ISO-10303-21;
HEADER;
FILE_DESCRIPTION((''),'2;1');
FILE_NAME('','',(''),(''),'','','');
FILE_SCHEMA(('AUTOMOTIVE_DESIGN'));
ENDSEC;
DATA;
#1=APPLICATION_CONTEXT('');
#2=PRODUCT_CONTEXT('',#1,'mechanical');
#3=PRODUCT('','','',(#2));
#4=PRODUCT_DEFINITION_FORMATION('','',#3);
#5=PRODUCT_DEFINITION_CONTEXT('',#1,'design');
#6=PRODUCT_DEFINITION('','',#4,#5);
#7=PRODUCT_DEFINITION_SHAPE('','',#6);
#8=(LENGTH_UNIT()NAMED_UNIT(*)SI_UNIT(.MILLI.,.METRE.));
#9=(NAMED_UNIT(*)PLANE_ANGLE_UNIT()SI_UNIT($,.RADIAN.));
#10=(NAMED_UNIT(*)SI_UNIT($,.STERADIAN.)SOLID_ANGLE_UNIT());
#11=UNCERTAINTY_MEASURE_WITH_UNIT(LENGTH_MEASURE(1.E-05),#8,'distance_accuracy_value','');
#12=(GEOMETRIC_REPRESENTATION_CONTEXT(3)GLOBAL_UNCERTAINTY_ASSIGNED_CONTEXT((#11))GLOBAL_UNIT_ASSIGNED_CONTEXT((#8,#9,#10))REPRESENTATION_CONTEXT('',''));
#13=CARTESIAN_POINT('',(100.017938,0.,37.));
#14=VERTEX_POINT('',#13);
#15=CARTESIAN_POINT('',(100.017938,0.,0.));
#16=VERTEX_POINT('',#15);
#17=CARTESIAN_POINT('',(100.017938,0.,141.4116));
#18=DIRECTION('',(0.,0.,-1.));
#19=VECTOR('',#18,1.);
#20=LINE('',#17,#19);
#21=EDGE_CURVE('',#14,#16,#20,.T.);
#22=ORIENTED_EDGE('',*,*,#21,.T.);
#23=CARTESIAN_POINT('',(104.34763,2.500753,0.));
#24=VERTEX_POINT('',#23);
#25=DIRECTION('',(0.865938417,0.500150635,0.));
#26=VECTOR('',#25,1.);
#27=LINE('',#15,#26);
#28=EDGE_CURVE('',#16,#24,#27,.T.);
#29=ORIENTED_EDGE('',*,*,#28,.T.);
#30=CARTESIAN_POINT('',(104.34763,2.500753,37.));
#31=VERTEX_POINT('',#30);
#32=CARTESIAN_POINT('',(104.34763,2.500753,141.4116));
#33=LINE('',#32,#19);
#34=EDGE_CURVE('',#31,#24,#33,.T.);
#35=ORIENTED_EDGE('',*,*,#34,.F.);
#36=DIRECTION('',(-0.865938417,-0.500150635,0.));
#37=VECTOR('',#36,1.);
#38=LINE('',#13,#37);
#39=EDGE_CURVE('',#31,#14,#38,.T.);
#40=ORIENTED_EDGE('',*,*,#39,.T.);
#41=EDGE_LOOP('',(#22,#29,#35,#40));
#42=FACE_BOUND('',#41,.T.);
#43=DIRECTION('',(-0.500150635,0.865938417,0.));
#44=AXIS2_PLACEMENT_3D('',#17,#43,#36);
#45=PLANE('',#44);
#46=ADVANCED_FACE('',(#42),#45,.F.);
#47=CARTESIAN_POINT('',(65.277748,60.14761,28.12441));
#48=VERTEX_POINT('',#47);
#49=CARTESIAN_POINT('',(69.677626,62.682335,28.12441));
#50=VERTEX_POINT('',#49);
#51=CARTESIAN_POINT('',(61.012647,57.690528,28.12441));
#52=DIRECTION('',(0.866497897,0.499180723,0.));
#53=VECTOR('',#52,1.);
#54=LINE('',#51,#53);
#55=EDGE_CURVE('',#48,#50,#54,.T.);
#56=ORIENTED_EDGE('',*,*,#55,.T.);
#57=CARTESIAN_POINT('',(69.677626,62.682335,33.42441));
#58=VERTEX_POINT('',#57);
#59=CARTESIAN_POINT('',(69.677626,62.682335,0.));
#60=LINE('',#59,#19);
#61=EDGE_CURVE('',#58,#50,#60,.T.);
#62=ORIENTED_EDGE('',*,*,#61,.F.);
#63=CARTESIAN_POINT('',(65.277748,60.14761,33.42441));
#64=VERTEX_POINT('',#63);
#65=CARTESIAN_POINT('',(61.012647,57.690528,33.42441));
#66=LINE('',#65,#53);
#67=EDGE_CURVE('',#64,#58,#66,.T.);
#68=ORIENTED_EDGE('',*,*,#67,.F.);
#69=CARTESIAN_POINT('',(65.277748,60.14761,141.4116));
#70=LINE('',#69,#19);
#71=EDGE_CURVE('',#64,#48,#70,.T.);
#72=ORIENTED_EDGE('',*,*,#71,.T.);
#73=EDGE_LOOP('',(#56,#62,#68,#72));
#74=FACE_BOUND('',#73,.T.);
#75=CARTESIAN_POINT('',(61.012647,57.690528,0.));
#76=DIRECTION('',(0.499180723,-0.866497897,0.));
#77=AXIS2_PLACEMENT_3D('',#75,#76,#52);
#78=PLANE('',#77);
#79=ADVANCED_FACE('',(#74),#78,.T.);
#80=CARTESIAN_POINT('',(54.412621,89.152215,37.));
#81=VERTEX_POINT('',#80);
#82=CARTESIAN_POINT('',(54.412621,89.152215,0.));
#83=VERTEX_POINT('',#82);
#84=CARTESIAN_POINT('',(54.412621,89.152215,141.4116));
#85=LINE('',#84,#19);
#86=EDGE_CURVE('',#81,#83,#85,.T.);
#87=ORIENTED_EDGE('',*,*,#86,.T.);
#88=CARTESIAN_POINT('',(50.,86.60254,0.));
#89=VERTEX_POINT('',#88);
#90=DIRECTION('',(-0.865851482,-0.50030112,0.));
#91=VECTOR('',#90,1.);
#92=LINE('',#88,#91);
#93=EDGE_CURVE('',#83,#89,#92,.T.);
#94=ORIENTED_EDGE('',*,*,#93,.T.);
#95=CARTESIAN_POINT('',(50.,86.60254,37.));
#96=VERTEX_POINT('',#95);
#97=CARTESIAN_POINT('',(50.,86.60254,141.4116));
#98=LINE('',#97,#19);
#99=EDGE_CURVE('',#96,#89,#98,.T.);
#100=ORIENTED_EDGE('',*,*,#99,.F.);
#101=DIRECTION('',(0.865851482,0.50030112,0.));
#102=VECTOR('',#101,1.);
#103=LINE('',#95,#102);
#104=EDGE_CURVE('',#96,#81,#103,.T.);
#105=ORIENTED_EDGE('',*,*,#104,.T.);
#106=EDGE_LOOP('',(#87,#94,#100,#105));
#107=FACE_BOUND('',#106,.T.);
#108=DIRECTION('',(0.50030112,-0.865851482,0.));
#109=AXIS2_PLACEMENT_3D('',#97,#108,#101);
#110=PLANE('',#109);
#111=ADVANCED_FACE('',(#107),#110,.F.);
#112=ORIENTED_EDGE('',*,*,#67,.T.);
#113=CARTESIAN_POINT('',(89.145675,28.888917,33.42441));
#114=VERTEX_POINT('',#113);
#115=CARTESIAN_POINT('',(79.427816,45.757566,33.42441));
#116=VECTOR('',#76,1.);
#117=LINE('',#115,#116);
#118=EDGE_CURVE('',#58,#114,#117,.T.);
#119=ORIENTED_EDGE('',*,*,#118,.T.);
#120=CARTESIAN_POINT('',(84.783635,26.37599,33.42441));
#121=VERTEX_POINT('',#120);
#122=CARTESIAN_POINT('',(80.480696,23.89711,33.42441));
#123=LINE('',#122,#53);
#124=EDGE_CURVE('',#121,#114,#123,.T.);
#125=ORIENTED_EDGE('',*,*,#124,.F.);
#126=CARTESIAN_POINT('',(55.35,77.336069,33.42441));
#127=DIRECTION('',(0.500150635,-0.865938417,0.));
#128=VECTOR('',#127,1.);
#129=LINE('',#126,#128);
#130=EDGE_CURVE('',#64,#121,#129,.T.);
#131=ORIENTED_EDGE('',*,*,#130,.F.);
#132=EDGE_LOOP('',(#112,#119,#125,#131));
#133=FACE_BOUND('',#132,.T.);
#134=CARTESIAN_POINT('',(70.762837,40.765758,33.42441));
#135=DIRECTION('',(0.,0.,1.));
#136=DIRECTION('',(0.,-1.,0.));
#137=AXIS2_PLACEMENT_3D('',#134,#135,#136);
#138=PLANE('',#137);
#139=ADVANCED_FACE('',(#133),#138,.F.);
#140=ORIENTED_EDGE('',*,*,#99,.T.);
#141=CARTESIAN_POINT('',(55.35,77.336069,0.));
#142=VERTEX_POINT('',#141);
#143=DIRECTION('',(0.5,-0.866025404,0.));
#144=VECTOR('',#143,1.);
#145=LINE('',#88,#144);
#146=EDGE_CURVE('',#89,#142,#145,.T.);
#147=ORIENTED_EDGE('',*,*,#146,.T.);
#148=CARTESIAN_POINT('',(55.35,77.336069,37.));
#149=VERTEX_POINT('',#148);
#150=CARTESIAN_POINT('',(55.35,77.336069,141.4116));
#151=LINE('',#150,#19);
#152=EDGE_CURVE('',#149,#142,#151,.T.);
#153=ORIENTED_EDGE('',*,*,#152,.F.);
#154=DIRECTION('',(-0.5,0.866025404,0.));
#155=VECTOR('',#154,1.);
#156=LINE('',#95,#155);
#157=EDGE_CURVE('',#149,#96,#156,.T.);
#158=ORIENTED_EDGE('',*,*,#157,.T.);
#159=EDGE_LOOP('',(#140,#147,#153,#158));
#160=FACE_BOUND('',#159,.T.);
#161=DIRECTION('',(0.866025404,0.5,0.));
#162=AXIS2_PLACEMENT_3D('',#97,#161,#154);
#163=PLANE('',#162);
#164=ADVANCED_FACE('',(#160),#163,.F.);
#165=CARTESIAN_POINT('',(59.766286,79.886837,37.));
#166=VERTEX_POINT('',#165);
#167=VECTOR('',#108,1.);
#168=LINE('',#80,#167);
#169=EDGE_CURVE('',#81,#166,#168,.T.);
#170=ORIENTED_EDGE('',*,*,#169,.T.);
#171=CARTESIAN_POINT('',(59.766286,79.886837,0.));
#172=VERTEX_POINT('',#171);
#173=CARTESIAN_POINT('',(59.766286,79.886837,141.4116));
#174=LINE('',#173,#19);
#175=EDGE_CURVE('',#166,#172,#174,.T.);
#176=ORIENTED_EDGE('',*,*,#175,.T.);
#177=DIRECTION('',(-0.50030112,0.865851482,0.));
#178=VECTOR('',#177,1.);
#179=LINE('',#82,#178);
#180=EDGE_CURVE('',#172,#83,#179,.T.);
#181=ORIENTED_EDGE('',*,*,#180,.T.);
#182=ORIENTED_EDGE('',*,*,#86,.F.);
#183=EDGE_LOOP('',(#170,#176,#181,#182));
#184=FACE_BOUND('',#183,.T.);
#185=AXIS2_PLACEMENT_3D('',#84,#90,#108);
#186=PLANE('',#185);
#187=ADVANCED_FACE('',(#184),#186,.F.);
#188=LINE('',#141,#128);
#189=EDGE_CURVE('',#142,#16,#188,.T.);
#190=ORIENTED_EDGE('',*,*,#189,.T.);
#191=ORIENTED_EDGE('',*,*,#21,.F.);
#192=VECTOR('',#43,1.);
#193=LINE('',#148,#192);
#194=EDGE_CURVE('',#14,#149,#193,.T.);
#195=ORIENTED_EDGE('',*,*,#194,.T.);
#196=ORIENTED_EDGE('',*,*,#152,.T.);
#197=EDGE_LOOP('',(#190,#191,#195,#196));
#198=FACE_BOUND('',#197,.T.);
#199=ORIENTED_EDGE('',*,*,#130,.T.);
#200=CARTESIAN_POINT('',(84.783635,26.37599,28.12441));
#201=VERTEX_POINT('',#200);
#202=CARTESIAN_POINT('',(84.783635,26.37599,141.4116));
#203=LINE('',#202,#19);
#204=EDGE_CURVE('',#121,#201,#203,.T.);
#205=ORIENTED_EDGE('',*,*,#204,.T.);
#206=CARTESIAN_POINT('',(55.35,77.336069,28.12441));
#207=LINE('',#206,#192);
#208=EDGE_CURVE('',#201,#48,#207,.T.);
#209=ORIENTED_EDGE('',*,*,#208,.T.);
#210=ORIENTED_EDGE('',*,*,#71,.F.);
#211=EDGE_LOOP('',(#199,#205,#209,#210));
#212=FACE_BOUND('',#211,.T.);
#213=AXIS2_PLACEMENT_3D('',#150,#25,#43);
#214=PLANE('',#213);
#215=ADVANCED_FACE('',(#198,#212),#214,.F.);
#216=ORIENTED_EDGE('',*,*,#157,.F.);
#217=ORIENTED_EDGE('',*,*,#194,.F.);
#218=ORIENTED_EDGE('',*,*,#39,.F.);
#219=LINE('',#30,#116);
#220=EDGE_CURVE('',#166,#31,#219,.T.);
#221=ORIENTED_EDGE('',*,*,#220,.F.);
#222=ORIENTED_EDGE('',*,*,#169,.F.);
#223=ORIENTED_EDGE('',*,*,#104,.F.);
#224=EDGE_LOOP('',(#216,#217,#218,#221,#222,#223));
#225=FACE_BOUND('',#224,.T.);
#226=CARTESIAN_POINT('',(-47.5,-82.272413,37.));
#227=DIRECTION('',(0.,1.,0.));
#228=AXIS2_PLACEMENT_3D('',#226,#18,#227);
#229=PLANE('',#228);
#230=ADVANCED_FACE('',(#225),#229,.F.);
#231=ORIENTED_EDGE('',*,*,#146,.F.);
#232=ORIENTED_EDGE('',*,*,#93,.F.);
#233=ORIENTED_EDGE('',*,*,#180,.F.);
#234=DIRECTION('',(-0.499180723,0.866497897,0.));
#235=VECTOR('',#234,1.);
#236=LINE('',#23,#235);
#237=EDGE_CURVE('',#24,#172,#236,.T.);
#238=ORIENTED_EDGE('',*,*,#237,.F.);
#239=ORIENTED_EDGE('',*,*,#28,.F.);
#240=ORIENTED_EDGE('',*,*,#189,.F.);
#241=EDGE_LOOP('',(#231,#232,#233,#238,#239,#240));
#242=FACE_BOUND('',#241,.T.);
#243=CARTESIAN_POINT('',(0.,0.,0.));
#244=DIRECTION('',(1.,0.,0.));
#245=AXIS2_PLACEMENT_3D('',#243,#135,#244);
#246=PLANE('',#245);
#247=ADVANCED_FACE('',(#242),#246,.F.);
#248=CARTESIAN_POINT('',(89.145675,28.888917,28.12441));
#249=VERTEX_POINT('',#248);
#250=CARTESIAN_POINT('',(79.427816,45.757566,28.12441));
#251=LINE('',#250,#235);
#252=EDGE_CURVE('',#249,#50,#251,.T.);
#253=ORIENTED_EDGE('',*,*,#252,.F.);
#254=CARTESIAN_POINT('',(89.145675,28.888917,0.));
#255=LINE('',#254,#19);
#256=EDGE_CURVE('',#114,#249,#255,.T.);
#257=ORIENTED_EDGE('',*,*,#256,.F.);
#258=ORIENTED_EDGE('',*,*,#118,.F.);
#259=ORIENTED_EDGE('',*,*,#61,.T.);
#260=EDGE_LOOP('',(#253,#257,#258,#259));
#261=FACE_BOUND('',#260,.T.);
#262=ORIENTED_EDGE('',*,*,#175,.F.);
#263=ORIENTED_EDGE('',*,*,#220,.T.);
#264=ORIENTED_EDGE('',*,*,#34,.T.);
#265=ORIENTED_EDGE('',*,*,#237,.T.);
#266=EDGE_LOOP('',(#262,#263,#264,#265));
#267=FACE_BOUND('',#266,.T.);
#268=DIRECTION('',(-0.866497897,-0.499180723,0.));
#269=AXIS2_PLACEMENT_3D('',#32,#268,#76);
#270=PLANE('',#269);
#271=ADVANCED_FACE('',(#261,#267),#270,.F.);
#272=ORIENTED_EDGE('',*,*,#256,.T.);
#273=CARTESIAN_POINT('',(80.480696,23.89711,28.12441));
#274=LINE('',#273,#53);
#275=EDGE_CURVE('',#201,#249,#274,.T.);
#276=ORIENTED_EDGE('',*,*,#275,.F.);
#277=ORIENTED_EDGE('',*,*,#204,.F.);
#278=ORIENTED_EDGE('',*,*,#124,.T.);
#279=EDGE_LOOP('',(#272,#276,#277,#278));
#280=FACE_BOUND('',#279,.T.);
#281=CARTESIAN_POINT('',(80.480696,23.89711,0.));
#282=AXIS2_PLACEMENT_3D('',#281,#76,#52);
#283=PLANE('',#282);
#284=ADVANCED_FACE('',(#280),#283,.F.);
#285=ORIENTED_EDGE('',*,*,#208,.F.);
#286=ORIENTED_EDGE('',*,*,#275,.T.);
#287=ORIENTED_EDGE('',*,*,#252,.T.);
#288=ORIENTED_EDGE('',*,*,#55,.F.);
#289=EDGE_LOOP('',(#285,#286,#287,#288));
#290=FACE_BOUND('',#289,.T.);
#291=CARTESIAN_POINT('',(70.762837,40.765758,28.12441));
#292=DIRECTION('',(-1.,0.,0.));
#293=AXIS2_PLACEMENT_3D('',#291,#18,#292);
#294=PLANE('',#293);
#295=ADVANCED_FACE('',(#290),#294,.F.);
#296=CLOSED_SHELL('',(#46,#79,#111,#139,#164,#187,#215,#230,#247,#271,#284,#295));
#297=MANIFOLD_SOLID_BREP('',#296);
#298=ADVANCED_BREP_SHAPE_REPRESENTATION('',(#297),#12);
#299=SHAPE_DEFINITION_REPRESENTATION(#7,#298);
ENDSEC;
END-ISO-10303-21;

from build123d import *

# Parameters (mm, degrees)
SALIENTE_EXTRUIR1_DEPTH = 37
CORTAR_EXTRUIR1_DEPTH   = 10


with BuildPart() as part:
    # Croquis1 → Saliente-Extruir1 (new body)
    with BuildSketch(Plane.XY):
        Polygon((55.350000047, 77.336068513), (100.017938292, 0), (104.347630379, 2.500753173), (59.766286021, 79.886836776), (54.412620908, 89.152214546), (50.000000028, 86.602540366), align=None)
    extrude(amount=SALIENTE_EXTRUIR1_DEPTH)

    # Croquis2 → Cortar-Extruir1 (cut)
    with BuildSketch(Plane(origin=(79.427815776, 45.757565725, 0), x_dir=(0, 0, -1), z_dir=(0.866497897, 0.499180723, 0))):
        Polygon((-33.424409531, 19.532383801), (-33.424409531, -19.467616199), (-28.124409531, -19.467616199), (-28.124409531, -0.028001757), (-28.124409531, 0.092769359), (-28.124409531, 19.532383801), align=None)
    extrude(amount=-CORTAR_EXTRUIR1_DEPTH, mode=Mode.SUBTRACT)


solid = part.part
